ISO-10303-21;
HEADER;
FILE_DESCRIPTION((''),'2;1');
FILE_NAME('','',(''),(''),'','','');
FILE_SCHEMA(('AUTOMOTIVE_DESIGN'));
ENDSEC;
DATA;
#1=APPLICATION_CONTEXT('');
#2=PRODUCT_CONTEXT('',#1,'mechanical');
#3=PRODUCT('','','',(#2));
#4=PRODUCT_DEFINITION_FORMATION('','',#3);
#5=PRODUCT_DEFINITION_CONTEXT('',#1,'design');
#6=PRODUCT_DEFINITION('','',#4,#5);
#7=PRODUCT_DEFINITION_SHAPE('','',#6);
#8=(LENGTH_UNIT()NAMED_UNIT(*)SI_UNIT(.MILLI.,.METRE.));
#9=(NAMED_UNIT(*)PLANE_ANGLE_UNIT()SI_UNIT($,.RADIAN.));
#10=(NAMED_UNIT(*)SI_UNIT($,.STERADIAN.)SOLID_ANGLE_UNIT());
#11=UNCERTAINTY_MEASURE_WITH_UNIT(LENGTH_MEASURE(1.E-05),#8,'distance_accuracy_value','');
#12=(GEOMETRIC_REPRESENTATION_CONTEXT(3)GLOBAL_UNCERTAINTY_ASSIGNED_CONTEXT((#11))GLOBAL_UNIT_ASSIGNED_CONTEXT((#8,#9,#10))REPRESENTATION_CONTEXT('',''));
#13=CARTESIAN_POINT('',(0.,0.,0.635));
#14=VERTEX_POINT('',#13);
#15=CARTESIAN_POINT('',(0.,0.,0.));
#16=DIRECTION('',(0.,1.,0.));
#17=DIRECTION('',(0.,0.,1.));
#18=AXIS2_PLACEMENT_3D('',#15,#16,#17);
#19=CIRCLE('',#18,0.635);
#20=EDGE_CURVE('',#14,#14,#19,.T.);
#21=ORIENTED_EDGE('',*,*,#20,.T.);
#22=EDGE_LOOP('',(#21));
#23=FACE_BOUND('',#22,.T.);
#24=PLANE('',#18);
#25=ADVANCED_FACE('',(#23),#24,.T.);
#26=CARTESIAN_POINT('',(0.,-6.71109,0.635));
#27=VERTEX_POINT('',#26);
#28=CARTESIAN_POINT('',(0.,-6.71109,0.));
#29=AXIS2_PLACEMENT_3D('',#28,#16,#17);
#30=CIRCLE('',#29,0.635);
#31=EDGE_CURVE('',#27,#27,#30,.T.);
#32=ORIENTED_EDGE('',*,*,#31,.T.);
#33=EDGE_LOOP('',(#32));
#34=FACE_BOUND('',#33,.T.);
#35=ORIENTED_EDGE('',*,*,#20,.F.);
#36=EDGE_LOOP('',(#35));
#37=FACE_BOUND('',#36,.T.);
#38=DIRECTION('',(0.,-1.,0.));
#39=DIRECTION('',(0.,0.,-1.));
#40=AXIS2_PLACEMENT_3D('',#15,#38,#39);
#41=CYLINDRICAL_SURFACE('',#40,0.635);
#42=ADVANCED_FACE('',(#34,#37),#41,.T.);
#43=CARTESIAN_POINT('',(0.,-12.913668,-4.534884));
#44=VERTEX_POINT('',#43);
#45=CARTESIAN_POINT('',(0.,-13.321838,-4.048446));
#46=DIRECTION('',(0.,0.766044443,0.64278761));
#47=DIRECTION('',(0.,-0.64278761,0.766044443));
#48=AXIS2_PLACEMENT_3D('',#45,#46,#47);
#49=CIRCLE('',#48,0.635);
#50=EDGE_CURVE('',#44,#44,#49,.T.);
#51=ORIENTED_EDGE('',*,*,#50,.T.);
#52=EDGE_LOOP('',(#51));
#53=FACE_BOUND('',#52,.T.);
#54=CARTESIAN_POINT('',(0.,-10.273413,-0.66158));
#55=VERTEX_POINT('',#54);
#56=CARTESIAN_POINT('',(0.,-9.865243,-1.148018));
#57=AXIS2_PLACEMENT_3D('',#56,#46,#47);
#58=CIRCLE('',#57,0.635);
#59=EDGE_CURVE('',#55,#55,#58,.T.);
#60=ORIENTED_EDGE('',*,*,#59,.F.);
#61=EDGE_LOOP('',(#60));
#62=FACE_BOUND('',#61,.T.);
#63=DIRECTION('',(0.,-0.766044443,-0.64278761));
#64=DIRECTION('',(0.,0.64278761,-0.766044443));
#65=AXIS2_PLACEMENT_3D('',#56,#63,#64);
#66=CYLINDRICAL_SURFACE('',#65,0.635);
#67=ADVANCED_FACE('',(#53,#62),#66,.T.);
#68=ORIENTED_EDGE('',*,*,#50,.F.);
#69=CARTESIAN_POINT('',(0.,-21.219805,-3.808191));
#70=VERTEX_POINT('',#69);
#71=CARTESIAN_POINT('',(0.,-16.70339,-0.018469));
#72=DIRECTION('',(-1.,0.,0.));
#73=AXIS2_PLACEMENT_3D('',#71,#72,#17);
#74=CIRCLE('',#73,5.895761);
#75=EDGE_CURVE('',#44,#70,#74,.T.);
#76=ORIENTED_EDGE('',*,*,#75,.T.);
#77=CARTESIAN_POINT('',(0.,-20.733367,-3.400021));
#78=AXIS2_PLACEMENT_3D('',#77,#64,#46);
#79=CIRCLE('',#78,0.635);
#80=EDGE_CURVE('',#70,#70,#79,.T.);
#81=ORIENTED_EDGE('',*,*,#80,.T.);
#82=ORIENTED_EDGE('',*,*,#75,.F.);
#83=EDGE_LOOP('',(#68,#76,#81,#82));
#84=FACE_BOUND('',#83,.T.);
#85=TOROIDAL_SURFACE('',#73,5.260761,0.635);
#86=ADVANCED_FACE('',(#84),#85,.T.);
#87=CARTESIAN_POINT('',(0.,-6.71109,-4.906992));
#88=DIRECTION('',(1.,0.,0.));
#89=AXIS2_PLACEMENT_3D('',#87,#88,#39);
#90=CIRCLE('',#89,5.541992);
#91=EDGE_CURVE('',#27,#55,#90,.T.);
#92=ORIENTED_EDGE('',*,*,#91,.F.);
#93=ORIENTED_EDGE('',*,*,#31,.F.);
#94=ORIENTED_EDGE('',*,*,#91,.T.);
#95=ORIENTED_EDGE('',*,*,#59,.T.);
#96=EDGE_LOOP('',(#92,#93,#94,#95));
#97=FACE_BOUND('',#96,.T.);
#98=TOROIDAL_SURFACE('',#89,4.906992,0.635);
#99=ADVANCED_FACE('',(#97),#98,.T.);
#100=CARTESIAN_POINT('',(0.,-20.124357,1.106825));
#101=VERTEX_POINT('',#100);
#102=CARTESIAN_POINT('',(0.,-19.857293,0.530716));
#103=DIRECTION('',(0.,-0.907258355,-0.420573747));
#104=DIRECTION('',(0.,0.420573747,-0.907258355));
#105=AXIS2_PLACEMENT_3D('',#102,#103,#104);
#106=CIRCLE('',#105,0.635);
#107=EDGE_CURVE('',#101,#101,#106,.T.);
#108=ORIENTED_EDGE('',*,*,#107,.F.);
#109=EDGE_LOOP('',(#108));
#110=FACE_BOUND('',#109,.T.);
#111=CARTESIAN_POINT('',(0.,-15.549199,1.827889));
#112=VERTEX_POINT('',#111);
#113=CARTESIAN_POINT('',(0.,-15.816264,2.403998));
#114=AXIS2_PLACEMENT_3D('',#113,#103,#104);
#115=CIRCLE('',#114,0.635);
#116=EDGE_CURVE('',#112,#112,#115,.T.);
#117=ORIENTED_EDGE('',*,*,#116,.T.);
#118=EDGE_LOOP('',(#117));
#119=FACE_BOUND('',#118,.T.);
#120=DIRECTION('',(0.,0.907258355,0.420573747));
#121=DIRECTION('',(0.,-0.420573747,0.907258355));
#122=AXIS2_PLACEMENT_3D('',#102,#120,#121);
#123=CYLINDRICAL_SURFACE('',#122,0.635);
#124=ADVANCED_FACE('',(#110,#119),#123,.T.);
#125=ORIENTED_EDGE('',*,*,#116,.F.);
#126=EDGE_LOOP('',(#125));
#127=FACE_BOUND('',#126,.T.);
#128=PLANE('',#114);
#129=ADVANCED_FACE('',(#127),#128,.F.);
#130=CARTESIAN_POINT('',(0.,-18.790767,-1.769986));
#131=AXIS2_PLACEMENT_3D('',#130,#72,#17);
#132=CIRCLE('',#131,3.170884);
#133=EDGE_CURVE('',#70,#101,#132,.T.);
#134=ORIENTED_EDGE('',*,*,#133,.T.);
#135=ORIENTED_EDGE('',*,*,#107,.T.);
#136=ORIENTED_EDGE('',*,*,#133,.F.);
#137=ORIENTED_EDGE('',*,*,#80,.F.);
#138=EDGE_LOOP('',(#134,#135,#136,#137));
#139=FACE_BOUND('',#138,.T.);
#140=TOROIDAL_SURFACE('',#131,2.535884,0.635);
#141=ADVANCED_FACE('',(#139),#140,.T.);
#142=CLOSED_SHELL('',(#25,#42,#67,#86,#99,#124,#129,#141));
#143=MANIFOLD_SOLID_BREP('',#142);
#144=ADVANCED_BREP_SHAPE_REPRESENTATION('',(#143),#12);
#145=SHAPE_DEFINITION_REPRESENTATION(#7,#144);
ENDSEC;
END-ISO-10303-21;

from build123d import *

# Parameters (mm, degrees)
SKETCH2_R = 0.635


with BuildPart() as part:
    # Sweep1: sweep along a path in Sketch1
    with BuildLine(Plane(origin=(0, 0, 0), x_dir=(0, 0, -1), z_dir=(1, 0, 0))) as sweep1_path:
        Line((-2.403997938, -15.816263763), (-0.530715835, -19.857293072))
        ThreePointArc((-0.530715835, -19.857293072), (1.218329614, -21.26591989), (3.400020828, -20.73336666))
        ThreePointArc((3.400020828, -20.73336666), (5.25921097, -17.161895627), (4.04844554, -13.321838283))
        Line((4.04844554, -13.321838283), (1.148017974, -9.865243311))
        ThreePointArc((1.148017974, -9.865243311), (0.295927809, -8.389379852), (0, -6.71108985))
        add(Edge.make_bspline(
            [(0, -6.71108985), (0, 0)],
            knots=[0, 0, 1, 1], degree=1))
    # Sketch2 → Sweep1 (sweep)
    with BuildSketch(Plane(origin=(0, 0, 0), x_dir=(1, 0, 0), z_dir=(0, 1, 0))):
        Circle(SKETCH2_R)
    sweep(path=sweep1_path.line)


solid = part.part
